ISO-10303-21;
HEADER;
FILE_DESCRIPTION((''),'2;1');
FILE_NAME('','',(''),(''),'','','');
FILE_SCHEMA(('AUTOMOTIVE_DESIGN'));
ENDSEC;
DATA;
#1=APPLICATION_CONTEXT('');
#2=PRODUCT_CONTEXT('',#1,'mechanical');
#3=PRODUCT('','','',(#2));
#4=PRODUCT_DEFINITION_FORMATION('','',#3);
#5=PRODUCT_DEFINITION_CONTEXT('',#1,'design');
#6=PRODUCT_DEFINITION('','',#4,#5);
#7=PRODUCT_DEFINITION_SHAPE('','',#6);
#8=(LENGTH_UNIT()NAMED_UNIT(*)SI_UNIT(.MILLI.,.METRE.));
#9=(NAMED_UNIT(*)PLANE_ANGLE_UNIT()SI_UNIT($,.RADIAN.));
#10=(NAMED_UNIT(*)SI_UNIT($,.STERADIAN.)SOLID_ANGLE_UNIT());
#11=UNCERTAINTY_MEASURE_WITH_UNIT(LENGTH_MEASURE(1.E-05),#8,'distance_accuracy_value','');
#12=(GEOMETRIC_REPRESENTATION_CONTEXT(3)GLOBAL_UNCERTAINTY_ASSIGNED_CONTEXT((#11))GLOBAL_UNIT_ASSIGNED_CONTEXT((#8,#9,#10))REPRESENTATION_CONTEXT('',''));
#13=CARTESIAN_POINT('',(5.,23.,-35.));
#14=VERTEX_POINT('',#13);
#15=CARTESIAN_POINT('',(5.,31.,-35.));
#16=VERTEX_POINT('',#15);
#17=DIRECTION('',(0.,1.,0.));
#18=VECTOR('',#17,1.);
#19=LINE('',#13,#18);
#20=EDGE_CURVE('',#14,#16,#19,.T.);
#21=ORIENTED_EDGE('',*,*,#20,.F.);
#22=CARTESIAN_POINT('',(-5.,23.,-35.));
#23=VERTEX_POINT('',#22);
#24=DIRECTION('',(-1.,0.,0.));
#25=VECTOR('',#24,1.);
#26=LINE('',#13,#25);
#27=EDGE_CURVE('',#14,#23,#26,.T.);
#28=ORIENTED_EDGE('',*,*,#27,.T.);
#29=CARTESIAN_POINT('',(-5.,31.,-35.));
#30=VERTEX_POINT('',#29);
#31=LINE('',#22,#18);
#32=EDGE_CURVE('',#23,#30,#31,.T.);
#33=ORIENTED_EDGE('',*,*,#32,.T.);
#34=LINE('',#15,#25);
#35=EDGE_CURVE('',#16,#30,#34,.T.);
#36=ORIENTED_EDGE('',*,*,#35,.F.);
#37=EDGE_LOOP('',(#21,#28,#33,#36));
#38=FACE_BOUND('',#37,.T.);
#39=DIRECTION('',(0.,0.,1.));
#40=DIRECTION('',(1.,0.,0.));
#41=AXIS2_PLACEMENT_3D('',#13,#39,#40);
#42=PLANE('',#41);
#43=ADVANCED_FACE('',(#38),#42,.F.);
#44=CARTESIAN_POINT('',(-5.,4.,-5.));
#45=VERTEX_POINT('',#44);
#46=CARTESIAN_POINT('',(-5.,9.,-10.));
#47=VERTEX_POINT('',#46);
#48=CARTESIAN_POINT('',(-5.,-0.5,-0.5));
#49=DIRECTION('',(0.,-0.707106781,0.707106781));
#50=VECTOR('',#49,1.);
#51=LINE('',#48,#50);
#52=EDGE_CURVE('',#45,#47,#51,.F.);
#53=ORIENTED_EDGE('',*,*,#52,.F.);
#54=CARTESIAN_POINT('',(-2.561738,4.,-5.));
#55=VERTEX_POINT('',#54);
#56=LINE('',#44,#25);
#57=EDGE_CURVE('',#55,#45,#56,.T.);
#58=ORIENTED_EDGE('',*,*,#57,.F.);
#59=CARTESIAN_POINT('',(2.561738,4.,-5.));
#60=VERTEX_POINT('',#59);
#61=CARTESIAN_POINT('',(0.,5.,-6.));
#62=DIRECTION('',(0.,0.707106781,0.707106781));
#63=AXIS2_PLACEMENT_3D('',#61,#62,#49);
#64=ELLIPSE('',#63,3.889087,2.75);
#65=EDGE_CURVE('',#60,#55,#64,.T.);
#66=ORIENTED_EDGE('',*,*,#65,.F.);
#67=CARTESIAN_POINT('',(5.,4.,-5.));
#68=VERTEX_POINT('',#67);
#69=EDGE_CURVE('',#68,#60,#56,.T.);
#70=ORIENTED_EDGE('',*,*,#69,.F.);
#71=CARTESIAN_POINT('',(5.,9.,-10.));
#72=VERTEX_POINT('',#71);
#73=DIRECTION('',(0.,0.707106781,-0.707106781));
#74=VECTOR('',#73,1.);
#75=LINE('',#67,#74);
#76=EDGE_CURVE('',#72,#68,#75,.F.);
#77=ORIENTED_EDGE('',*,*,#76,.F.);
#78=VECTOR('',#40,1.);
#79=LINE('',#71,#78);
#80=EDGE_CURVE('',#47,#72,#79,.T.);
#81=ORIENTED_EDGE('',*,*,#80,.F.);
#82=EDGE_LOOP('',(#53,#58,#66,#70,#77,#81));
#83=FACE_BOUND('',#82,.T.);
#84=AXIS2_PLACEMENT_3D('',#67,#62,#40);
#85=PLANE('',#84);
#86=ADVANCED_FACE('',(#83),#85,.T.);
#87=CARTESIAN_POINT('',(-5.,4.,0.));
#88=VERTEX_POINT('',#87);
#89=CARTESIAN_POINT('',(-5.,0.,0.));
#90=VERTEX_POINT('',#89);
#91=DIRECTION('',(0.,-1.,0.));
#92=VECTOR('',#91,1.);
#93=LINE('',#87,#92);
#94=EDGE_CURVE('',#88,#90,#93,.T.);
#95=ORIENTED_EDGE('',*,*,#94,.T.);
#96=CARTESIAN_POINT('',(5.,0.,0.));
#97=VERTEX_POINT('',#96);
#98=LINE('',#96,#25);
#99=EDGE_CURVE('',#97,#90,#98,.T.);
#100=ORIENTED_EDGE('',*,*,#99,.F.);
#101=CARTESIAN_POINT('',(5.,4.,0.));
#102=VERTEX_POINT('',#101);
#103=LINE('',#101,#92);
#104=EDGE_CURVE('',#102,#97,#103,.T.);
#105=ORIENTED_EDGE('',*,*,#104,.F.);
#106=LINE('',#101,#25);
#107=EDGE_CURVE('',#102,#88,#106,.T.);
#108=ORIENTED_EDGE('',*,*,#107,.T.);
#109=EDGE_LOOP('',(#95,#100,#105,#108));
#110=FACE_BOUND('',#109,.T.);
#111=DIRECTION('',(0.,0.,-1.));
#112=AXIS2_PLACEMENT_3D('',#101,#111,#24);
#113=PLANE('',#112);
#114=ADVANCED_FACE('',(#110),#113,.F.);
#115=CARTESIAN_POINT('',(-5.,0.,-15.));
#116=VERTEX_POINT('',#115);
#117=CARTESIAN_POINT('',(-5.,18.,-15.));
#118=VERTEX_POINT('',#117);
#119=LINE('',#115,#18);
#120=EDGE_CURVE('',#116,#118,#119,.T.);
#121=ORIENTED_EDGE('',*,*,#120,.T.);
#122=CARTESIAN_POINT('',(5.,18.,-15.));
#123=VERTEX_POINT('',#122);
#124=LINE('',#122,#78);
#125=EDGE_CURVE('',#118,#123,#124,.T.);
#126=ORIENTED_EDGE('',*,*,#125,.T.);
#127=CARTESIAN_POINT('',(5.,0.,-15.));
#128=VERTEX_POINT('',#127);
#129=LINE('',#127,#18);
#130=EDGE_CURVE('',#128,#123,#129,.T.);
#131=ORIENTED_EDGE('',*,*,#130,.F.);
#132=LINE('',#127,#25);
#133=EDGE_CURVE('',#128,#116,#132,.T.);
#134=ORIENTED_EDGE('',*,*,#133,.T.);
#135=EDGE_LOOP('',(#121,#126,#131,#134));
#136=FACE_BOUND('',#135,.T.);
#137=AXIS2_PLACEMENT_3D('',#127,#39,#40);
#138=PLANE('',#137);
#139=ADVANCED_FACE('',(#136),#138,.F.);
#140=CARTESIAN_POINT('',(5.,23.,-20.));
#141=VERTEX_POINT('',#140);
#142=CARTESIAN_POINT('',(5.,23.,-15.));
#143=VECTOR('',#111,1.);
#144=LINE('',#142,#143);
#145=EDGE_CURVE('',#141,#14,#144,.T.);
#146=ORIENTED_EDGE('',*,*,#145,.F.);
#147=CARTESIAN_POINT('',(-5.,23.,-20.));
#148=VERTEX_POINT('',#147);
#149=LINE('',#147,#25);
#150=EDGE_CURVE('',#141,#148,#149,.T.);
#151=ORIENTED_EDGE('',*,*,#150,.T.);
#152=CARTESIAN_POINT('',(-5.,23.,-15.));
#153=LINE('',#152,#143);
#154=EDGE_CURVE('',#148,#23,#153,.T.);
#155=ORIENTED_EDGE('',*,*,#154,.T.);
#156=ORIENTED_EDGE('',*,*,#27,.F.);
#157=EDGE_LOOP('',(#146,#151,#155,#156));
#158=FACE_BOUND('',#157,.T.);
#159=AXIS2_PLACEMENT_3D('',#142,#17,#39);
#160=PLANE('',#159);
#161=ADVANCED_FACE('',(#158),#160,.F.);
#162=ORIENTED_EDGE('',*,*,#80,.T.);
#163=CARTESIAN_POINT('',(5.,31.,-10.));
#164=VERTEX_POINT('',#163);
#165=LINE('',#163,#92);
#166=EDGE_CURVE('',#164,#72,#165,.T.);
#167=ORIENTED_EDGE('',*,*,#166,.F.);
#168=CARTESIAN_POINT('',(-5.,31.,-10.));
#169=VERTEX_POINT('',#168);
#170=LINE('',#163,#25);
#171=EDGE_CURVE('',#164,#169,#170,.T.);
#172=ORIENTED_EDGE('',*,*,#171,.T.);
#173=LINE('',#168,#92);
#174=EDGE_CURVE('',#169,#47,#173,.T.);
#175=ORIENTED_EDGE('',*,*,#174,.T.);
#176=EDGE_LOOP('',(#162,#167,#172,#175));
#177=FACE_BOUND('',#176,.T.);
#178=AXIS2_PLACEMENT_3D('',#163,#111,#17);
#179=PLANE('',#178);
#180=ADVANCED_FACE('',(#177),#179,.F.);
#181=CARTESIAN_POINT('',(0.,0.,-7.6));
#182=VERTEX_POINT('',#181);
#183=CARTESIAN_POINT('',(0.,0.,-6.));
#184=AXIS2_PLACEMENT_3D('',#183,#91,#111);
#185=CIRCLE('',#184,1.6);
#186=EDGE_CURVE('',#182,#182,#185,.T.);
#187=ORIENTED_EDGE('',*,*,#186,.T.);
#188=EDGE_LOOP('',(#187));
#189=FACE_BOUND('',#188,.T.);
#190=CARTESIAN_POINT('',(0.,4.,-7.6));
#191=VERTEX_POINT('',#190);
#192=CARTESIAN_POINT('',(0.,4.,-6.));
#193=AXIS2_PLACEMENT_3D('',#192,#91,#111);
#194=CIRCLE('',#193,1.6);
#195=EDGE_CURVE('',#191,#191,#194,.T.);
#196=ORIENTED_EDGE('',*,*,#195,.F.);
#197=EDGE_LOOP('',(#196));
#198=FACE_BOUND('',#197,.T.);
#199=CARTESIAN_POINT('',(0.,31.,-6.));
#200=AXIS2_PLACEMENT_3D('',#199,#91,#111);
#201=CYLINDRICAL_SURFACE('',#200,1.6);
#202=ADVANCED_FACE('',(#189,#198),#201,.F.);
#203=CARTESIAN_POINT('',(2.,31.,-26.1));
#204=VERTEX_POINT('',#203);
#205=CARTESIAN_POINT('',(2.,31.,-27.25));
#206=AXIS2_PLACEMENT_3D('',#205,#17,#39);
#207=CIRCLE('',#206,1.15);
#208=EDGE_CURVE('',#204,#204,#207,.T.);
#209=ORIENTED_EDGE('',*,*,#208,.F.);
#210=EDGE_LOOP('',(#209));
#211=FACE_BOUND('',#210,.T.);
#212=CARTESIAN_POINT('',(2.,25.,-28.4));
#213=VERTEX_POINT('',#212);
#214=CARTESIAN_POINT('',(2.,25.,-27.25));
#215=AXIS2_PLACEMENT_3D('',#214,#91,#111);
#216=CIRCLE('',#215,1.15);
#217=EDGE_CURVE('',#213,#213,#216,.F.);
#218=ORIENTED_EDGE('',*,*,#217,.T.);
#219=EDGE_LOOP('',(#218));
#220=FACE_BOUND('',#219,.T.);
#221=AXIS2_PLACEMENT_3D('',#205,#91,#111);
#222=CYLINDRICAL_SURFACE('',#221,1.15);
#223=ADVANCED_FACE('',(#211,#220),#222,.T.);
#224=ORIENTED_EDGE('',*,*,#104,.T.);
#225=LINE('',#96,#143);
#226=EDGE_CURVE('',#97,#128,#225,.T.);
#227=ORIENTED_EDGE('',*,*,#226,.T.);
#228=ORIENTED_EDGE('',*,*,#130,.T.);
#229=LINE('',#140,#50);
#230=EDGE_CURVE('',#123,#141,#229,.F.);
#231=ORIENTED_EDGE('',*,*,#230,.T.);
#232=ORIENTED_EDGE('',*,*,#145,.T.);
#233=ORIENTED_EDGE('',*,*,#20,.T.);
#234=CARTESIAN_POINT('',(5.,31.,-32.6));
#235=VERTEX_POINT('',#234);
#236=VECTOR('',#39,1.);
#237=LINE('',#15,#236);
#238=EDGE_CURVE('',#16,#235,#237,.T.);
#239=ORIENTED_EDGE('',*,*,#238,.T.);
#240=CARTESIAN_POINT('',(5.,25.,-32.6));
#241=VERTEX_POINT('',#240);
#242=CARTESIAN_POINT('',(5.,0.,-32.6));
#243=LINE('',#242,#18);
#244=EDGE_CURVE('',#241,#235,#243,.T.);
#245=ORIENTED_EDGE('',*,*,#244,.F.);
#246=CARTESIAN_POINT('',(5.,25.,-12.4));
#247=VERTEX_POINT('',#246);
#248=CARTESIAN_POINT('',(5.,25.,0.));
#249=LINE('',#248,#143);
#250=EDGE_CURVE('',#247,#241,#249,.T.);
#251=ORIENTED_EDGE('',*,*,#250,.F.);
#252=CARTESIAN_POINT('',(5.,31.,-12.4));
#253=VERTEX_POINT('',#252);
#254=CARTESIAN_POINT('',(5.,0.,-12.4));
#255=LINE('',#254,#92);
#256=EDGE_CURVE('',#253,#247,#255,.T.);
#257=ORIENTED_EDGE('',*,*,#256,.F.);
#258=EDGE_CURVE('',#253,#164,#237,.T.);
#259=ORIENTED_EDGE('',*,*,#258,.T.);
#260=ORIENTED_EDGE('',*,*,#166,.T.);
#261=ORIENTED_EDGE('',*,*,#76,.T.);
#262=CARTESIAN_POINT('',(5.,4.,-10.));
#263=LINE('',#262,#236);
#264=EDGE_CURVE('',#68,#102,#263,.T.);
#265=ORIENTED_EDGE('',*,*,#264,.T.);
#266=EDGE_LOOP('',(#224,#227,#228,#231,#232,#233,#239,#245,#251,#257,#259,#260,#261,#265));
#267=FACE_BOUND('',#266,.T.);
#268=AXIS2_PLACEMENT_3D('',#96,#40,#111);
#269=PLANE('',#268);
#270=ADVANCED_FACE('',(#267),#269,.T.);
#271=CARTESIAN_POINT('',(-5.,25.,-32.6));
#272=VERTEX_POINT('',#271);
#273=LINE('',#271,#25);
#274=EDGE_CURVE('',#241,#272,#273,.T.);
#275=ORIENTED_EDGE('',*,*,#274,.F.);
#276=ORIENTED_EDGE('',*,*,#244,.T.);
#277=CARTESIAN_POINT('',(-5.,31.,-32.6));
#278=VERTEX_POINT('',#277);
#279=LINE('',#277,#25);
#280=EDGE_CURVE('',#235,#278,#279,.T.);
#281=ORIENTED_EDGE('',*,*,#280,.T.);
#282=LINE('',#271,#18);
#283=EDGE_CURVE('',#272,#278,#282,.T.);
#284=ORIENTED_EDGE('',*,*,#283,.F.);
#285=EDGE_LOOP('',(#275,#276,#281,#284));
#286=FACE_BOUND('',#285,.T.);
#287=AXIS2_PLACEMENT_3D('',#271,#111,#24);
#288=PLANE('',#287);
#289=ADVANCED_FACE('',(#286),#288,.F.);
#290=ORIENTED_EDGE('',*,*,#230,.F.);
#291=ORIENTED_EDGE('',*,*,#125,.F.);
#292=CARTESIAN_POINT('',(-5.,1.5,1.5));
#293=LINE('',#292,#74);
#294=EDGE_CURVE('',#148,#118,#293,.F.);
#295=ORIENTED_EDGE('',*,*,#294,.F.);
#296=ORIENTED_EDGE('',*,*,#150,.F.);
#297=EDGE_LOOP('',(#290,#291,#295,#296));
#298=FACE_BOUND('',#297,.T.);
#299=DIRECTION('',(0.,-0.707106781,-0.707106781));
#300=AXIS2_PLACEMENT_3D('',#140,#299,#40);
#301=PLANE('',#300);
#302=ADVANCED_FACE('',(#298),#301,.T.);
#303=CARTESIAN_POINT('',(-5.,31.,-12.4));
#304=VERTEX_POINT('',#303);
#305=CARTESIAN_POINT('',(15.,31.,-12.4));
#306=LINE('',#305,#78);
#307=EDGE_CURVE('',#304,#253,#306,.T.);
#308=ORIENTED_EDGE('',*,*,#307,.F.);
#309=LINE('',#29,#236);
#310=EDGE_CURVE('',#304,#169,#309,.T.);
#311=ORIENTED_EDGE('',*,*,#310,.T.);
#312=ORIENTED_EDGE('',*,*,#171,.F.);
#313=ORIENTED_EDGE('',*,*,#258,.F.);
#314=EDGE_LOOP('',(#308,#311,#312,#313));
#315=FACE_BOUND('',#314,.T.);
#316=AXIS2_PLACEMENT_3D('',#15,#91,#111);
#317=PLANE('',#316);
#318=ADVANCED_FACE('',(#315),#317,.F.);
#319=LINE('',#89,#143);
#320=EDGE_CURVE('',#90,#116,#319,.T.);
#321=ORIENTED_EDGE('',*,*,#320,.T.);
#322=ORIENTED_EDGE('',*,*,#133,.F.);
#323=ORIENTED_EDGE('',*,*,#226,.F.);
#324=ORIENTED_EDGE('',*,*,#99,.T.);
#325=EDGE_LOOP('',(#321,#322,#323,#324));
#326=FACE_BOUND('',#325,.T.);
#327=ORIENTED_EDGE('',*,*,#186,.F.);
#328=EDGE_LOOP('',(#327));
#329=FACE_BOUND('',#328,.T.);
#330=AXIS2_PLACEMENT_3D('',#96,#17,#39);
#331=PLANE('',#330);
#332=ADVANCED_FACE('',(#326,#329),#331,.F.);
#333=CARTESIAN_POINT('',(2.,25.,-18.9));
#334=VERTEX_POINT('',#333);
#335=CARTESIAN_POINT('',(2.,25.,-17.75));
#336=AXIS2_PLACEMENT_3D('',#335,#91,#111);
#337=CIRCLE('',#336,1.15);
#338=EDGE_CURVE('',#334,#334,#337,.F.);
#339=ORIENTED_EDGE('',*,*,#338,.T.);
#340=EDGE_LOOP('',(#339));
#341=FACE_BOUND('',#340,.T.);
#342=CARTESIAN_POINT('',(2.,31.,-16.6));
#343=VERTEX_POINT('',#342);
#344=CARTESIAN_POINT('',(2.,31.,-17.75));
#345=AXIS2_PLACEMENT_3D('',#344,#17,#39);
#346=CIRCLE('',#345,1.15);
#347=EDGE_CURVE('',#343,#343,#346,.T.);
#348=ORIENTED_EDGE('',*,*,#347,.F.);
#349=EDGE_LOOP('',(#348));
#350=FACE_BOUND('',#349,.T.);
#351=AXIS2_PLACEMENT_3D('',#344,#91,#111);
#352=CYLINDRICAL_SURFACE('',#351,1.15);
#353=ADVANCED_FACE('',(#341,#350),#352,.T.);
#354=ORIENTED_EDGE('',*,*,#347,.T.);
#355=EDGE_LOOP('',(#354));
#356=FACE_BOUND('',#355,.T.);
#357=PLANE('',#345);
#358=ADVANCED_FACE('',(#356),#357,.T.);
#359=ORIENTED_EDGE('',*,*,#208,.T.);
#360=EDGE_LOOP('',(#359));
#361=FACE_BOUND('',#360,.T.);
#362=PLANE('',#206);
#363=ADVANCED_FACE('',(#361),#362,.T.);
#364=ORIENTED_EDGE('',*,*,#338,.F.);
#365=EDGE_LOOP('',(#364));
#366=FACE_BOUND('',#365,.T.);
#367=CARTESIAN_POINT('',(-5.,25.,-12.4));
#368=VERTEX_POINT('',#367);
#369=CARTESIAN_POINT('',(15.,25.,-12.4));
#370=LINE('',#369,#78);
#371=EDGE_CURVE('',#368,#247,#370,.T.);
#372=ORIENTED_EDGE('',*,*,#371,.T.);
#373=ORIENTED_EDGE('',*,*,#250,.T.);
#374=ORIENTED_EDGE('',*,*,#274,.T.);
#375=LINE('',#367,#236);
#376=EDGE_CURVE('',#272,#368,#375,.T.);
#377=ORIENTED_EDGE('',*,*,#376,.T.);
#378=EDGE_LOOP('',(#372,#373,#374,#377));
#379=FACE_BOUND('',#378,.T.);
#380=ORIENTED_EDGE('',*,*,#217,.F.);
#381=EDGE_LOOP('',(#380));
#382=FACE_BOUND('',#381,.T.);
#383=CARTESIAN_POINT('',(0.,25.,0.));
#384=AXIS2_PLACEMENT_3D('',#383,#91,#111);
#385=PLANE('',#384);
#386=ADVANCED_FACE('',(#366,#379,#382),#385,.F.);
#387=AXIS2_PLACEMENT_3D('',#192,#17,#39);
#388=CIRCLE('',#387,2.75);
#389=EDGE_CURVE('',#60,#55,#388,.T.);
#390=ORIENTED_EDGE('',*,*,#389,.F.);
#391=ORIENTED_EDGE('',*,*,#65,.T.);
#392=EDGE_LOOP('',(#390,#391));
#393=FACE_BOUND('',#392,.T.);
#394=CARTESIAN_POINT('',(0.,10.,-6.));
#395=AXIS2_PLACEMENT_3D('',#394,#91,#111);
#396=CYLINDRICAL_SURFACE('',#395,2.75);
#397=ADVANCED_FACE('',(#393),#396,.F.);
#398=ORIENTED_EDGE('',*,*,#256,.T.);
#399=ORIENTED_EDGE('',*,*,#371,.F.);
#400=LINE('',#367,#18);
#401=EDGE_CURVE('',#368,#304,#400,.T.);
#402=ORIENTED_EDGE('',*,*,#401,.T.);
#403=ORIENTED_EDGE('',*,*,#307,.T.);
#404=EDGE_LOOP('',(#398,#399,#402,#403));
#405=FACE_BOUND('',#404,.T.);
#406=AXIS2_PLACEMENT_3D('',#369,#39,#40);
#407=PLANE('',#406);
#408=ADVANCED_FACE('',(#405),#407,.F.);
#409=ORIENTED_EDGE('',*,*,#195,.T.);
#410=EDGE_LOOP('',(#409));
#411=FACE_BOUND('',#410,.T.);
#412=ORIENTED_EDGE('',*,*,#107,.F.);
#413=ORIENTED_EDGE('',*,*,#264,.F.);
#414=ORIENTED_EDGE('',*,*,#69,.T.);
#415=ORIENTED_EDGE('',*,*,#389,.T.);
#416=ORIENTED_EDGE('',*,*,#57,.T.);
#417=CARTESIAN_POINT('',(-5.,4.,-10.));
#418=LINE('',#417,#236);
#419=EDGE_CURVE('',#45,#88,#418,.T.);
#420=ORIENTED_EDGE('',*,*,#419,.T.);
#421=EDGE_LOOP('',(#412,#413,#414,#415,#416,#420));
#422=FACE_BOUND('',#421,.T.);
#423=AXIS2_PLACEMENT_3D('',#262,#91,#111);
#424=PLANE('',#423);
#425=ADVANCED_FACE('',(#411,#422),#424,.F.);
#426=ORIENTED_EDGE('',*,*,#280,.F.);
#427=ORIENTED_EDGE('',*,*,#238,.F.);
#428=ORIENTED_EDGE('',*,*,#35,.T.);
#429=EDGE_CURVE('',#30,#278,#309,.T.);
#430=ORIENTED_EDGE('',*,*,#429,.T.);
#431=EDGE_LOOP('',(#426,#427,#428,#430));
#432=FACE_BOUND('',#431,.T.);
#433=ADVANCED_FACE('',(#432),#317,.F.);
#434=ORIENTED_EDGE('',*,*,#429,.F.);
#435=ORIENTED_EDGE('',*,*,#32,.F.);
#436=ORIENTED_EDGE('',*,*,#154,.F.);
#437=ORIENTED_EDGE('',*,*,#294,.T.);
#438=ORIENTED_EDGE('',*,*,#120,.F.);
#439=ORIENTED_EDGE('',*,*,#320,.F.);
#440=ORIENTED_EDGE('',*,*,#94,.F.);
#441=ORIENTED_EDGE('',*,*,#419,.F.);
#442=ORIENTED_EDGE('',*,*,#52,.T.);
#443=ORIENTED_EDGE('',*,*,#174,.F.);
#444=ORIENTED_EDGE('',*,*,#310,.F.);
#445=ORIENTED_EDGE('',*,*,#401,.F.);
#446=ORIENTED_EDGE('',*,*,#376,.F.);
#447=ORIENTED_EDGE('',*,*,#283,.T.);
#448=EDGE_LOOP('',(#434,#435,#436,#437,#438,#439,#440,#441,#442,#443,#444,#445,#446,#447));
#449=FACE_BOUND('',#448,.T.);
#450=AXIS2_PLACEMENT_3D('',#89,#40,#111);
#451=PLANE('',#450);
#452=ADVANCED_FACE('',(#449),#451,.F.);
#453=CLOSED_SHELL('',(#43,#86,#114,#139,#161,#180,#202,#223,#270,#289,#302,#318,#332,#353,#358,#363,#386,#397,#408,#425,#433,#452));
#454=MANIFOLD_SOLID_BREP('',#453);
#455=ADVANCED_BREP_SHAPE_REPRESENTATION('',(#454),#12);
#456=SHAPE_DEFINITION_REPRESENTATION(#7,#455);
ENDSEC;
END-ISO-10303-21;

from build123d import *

# Parameters (mm, degrees)
EXTRUDE_1_DEPTH     = 5
SKETCH_2_W          = 20
SKETCH_2_H          = 20.2
CUT_EXTRUDE_1_DEPTH = 6
SKETCH_3_R          = 1.15
EXTRUDE_2_DEPTH     = 6
CHAMFER_1_SIZE      = 5
SKETCH_4_R          = 1.6
CUT_EXTRUDE_2_DEPTH = 32
SKETCH_5_R          = 2.75
CUT_EXTRUDE_3_DEPTH = 6


with BuildPart() as part:
    # 草图1 → 凸台-拉伸1 (new body, symmetric)
    with BuildSketch(Plane(origin=(0, 0, 0), x_dir=(0, 0, -1), z_dir=(1, 0, 0))):
        Polygon((0, 0), (15, 0), (15, 23), (35, 23), (35, 31), (10, 31), (10, 4), (0, 4), align=None)
    extrude(amount=EXTRUDE_1_DEPTH, both=True)

    # 草图2 → 切除-拉伸1 (cut)
    with BuildSketch(Plane(origin=(0, 31, 0), x_dir=(1, 0, 0), z_dir=(0, 1, 0))):
        with Locations((5, 22.5)):
            Rectangle(SKETCH_2_W, SKETCH_2_H)
    extrude(amount=-CUT_EXTRUDE_1_DEPTH, mode=Mode.SUBTRACT)

    # 草图3 → 凸台-拉伸2 (add)
    with BuildSketch(Plane(origin=(0, 25, 0), x_dir=(1, 0, 0), z_dir=(0, 1, 0))):
        with Locations((2, 27.25)):
            Circle(SKETCH_3_R)
        with Locations((2, 17.75)):
            Circle(SKETCH_3_R)
    extrude(amount=EXTRUDE_2_DEPTH)

    # 倒角1
    chamfer_1_edges = [part.edges().sort_by_distance(p)[0] for p in [
        (0, 4, -10),
        (0, 23, -15),
    ]]
    chamfer(chamfer_1_edges, length=CHAMFER_1_SIZE)

    # 草图4 → 切除-拉伸2 (cut, through all)
    with BuildSketch(Plane.XZ):
        with Locations((0, -6)):
            Circle(SKETCH_4_R)
    extrude(amount=-CUT_EXTRUDE_2_DEPTH, mode=Mode.SUBTRACT)

    # 草图5 → 切除-拉伸3 (cut)
    with BuildSketch(Plane(origin=(0, 4, 0), x_dir=(1, 0, 0), z_dir=(0, 1, 0))):
        with Locations((0, 6)):
            Circle(SKETCH_5_R)
    extrude(amount=CUT_EXTRUDE_3_DEPTH, mode=Mode.SUBTRACT)


solid = part.part
